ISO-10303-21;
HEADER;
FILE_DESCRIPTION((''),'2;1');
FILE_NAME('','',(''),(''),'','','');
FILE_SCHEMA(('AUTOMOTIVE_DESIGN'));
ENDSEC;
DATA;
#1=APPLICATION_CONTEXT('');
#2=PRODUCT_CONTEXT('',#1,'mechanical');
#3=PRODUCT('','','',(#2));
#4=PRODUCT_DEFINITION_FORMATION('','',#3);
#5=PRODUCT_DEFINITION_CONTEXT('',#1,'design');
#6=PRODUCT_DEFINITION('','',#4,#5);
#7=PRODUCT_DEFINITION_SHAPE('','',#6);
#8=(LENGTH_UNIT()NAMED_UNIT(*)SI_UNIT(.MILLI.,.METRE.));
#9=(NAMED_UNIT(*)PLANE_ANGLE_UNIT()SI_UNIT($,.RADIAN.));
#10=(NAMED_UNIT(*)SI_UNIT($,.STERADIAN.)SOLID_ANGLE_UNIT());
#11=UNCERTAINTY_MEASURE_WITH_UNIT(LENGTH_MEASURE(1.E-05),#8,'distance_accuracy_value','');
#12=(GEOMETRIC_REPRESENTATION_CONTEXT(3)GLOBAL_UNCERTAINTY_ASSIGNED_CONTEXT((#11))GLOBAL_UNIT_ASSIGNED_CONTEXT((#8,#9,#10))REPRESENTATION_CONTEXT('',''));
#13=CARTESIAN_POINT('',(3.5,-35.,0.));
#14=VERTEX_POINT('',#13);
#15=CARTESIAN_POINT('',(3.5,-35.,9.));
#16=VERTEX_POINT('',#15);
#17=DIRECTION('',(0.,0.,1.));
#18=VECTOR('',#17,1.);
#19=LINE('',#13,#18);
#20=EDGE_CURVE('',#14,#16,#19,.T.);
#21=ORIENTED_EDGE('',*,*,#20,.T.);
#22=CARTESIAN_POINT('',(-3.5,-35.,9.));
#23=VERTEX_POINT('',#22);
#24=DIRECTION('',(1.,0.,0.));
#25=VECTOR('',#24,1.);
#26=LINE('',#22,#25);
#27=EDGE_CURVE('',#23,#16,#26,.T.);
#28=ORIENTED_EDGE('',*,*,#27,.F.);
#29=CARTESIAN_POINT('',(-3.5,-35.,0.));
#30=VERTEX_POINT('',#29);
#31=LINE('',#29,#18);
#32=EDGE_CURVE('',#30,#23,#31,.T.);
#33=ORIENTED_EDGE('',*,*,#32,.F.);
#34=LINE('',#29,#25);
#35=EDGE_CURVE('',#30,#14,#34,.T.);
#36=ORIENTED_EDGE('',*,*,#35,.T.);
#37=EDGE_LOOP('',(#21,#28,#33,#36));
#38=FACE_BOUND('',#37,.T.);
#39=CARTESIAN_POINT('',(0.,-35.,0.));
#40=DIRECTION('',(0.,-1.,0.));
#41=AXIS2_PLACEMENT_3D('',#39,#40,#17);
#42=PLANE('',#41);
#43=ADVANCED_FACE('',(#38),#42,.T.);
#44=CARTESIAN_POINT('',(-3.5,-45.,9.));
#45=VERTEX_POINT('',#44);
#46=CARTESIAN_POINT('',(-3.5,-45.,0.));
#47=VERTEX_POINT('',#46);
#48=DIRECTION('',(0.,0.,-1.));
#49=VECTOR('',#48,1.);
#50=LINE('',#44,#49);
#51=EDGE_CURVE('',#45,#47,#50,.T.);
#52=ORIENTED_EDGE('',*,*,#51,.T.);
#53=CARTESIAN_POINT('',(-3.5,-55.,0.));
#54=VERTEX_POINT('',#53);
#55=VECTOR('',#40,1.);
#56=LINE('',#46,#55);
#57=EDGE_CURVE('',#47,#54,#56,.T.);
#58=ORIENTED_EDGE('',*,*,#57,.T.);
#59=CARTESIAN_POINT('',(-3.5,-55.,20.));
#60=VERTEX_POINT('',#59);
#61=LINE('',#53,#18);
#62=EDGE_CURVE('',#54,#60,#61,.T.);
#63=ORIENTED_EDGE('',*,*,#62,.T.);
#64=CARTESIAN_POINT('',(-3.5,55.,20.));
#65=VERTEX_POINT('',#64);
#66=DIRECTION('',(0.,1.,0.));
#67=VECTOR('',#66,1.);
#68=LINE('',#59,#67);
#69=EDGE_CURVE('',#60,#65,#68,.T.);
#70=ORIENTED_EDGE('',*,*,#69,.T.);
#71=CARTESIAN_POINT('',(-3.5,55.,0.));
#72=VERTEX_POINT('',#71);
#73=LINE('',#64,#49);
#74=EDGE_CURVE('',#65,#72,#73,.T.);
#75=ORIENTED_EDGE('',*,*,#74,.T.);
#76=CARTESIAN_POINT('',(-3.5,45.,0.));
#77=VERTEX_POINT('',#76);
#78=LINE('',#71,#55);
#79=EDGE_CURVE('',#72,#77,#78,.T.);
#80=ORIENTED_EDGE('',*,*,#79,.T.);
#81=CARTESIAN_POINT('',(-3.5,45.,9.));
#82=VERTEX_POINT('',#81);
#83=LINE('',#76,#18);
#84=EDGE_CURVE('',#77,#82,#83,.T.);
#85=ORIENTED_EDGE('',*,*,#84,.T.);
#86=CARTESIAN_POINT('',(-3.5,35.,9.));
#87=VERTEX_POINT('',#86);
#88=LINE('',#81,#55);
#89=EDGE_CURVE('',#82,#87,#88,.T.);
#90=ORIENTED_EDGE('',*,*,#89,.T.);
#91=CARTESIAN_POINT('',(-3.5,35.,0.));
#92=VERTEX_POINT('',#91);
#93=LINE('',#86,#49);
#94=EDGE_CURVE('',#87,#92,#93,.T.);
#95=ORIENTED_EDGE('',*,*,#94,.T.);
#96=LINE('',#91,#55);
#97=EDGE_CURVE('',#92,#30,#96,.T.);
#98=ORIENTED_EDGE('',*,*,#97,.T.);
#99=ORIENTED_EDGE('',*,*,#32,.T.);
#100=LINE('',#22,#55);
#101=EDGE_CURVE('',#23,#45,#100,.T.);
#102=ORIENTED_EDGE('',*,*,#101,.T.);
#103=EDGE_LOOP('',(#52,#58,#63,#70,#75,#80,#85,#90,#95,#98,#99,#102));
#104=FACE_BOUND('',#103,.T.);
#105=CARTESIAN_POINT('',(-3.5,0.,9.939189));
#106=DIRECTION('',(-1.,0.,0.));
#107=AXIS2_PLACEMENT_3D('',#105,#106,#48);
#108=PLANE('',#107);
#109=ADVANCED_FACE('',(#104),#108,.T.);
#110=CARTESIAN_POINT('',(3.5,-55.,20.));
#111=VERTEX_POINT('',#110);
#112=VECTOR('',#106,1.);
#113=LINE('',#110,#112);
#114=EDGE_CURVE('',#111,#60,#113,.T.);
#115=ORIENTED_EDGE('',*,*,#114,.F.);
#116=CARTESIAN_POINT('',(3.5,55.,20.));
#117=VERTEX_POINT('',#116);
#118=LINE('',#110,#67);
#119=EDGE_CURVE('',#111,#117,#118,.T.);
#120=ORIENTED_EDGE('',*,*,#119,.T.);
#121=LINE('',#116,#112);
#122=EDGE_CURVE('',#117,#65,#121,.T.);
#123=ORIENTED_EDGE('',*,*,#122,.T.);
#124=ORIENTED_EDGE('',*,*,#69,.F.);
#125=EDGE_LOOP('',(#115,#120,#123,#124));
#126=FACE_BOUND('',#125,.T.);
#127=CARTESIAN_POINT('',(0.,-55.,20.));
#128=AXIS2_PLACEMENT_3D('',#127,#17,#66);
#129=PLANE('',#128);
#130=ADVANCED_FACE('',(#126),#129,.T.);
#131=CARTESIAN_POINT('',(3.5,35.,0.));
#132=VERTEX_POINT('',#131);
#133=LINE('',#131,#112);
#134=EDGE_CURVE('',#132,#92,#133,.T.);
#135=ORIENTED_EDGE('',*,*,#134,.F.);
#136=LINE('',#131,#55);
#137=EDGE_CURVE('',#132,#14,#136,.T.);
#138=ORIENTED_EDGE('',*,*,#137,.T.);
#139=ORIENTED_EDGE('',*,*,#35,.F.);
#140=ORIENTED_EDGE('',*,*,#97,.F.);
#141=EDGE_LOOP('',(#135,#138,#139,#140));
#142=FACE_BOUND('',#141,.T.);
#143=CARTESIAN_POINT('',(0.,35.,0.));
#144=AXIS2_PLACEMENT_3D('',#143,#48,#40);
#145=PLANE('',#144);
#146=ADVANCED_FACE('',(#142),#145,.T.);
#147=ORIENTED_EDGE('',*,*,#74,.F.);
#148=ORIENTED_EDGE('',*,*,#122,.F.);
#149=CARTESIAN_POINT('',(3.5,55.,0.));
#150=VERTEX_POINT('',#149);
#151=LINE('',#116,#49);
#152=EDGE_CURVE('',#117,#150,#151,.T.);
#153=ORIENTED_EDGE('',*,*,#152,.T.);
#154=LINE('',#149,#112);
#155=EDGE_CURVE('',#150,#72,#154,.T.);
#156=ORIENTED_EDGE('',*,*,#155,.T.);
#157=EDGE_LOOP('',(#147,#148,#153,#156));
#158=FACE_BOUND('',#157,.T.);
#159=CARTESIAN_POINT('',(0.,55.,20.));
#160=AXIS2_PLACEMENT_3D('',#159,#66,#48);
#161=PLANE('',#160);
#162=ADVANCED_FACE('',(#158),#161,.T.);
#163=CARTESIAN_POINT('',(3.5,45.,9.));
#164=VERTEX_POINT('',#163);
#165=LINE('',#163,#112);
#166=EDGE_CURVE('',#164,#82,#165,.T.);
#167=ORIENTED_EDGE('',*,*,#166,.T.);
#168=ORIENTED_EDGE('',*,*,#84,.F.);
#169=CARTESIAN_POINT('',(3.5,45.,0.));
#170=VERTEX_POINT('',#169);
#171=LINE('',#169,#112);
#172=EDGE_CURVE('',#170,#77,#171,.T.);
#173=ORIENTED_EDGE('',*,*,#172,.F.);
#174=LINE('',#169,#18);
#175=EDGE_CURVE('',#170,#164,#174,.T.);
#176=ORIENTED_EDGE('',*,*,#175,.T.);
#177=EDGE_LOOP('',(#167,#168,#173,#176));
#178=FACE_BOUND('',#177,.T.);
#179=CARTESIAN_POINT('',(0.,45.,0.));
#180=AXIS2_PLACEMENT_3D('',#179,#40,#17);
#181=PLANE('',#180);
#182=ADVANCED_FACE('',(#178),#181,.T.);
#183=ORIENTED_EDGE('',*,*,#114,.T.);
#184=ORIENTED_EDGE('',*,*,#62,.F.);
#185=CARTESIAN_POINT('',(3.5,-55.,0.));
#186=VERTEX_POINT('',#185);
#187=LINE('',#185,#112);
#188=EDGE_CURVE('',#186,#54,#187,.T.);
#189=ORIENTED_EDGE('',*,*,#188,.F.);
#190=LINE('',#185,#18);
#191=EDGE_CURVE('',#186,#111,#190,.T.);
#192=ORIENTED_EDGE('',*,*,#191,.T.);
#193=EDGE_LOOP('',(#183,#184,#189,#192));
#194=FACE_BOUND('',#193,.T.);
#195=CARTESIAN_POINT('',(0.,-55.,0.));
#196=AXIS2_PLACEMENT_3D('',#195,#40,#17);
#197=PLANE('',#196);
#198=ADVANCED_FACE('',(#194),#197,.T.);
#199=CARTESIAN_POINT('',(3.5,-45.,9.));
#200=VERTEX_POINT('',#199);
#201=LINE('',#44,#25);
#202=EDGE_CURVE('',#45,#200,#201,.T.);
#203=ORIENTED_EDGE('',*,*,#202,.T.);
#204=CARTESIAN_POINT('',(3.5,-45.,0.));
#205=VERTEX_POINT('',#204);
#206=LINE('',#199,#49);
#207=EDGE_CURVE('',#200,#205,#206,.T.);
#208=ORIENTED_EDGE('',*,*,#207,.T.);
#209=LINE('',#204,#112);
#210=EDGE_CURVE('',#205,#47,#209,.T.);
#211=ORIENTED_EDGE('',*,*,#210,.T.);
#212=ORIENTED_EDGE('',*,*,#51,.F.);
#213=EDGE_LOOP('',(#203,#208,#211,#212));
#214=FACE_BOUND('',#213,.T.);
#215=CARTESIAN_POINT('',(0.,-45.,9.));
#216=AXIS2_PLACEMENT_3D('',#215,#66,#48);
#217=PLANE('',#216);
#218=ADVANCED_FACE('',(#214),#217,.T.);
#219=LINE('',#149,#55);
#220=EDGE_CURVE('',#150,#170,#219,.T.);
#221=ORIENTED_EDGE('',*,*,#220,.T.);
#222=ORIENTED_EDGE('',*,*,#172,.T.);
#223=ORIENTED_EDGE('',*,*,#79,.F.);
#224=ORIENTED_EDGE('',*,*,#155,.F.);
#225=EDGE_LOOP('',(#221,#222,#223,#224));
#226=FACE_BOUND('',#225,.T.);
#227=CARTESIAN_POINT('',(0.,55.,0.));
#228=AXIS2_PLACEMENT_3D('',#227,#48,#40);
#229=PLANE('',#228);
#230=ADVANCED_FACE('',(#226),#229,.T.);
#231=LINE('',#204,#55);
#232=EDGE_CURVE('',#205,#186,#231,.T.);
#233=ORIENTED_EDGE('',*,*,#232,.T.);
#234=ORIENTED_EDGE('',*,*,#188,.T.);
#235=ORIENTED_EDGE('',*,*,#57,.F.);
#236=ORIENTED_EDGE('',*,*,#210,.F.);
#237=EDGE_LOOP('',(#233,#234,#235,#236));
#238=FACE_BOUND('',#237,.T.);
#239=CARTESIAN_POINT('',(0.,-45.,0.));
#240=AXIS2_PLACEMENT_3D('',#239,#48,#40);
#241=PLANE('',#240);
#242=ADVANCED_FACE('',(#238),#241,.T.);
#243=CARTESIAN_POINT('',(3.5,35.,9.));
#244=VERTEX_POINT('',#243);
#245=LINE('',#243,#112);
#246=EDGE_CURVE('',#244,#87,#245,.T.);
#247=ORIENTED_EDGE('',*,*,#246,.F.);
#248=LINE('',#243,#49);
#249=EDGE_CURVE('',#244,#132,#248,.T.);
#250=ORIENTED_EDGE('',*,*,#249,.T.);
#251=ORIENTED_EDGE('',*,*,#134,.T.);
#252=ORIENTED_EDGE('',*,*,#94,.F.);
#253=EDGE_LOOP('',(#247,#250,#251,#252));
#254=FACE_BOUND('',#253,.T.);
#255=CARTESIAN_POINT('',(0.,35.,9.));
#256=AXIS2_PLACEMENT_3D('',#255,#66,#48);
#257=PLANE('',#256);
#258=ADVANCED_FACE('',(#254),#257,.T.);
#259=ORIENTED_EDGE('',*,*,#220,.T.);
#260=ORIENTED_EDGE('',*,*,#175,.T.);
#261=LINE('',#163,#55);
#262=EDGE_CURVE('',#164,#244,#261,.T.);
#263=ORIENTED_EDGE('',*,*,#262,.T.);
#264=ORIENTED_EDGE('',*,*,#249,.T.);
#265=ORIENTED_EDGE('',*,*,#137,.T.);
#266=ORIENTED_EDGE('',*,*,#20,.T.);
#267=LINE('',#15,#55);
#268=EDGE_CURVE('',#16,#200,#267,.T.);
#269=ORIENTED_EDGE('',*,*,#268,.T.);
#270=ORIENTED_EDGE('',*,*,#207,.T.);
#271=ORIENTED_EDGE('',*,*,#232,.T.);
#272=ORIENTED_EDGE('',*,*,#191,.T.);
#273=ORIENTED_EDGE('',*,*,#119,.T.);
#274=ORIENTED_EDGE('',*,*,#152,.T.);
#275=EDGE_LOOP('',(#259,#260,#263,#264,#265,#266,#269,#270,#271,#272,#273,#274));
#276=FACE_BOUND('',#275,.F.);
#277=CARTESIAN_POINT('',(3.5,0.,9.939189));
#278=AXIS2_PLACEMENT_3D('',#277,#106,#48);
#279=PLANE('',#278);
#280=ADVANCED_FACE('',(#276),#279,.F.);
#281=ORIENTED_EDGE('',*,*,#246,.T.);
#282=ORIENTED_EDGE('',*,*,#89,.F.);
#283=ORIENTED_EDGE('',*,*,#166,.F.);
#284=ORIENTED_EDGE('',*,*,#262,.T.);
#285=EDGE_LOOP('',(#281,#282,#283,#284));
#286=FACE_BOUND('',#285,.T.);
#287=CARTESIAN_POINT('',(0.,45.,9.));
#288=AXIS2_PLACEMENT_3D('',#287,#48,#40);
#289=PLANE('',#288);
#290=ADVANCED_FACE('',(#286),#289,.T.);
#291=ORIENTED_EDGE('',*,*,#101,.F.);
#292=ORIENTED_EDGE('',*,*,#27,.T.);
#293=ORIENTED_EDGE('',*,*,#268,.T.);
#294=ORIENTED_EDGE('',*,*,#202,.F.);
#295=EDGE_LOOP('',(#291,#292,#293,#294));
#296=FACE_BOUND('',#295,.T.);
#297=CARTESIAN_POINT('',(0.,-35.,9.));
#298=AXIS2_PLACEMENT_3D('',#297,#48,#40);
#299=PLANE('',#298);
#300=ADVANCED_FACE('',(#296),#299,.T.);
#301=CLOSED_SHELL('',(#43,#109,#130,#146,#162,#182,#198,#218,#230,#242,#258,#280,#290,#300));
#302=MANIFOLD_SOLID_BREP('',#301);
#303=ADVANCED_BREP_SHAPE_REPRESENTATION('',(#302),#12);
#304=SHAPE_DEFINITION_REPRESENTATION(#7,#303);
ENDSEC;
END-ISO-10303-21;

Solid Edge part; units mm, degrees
sketch "Sketch1" plane through (0, 0, 0) normal (1, 0, 0) x (0, 1, 0)
  line L0 (-45, 9) -> (-45, 0)
  line L1 (-45, 0) -> (-55, 0)
  line L2 (-55, 0) -> (-55, 20)
  line L3 (-55, 20) -> (55, 20)
  line L4 (55, 20) -> (55, 0)
  line L5 (55, 0) -> (45, 0)
  line L6 (45, 0) -> (45, 9)
  line L7 (45, 9) -> (35, 9)
  line L8 (35, 9) -> (35, 0)
  line L9 (35, 0) -> (-35, 0)
  line L10 (-35, 0) -> (-35, 9)
  line L11 (-35, 9) -> (-45, 9)
extrude "Protrusion1" add sketch "Sketch1" along normal mid plane 7
